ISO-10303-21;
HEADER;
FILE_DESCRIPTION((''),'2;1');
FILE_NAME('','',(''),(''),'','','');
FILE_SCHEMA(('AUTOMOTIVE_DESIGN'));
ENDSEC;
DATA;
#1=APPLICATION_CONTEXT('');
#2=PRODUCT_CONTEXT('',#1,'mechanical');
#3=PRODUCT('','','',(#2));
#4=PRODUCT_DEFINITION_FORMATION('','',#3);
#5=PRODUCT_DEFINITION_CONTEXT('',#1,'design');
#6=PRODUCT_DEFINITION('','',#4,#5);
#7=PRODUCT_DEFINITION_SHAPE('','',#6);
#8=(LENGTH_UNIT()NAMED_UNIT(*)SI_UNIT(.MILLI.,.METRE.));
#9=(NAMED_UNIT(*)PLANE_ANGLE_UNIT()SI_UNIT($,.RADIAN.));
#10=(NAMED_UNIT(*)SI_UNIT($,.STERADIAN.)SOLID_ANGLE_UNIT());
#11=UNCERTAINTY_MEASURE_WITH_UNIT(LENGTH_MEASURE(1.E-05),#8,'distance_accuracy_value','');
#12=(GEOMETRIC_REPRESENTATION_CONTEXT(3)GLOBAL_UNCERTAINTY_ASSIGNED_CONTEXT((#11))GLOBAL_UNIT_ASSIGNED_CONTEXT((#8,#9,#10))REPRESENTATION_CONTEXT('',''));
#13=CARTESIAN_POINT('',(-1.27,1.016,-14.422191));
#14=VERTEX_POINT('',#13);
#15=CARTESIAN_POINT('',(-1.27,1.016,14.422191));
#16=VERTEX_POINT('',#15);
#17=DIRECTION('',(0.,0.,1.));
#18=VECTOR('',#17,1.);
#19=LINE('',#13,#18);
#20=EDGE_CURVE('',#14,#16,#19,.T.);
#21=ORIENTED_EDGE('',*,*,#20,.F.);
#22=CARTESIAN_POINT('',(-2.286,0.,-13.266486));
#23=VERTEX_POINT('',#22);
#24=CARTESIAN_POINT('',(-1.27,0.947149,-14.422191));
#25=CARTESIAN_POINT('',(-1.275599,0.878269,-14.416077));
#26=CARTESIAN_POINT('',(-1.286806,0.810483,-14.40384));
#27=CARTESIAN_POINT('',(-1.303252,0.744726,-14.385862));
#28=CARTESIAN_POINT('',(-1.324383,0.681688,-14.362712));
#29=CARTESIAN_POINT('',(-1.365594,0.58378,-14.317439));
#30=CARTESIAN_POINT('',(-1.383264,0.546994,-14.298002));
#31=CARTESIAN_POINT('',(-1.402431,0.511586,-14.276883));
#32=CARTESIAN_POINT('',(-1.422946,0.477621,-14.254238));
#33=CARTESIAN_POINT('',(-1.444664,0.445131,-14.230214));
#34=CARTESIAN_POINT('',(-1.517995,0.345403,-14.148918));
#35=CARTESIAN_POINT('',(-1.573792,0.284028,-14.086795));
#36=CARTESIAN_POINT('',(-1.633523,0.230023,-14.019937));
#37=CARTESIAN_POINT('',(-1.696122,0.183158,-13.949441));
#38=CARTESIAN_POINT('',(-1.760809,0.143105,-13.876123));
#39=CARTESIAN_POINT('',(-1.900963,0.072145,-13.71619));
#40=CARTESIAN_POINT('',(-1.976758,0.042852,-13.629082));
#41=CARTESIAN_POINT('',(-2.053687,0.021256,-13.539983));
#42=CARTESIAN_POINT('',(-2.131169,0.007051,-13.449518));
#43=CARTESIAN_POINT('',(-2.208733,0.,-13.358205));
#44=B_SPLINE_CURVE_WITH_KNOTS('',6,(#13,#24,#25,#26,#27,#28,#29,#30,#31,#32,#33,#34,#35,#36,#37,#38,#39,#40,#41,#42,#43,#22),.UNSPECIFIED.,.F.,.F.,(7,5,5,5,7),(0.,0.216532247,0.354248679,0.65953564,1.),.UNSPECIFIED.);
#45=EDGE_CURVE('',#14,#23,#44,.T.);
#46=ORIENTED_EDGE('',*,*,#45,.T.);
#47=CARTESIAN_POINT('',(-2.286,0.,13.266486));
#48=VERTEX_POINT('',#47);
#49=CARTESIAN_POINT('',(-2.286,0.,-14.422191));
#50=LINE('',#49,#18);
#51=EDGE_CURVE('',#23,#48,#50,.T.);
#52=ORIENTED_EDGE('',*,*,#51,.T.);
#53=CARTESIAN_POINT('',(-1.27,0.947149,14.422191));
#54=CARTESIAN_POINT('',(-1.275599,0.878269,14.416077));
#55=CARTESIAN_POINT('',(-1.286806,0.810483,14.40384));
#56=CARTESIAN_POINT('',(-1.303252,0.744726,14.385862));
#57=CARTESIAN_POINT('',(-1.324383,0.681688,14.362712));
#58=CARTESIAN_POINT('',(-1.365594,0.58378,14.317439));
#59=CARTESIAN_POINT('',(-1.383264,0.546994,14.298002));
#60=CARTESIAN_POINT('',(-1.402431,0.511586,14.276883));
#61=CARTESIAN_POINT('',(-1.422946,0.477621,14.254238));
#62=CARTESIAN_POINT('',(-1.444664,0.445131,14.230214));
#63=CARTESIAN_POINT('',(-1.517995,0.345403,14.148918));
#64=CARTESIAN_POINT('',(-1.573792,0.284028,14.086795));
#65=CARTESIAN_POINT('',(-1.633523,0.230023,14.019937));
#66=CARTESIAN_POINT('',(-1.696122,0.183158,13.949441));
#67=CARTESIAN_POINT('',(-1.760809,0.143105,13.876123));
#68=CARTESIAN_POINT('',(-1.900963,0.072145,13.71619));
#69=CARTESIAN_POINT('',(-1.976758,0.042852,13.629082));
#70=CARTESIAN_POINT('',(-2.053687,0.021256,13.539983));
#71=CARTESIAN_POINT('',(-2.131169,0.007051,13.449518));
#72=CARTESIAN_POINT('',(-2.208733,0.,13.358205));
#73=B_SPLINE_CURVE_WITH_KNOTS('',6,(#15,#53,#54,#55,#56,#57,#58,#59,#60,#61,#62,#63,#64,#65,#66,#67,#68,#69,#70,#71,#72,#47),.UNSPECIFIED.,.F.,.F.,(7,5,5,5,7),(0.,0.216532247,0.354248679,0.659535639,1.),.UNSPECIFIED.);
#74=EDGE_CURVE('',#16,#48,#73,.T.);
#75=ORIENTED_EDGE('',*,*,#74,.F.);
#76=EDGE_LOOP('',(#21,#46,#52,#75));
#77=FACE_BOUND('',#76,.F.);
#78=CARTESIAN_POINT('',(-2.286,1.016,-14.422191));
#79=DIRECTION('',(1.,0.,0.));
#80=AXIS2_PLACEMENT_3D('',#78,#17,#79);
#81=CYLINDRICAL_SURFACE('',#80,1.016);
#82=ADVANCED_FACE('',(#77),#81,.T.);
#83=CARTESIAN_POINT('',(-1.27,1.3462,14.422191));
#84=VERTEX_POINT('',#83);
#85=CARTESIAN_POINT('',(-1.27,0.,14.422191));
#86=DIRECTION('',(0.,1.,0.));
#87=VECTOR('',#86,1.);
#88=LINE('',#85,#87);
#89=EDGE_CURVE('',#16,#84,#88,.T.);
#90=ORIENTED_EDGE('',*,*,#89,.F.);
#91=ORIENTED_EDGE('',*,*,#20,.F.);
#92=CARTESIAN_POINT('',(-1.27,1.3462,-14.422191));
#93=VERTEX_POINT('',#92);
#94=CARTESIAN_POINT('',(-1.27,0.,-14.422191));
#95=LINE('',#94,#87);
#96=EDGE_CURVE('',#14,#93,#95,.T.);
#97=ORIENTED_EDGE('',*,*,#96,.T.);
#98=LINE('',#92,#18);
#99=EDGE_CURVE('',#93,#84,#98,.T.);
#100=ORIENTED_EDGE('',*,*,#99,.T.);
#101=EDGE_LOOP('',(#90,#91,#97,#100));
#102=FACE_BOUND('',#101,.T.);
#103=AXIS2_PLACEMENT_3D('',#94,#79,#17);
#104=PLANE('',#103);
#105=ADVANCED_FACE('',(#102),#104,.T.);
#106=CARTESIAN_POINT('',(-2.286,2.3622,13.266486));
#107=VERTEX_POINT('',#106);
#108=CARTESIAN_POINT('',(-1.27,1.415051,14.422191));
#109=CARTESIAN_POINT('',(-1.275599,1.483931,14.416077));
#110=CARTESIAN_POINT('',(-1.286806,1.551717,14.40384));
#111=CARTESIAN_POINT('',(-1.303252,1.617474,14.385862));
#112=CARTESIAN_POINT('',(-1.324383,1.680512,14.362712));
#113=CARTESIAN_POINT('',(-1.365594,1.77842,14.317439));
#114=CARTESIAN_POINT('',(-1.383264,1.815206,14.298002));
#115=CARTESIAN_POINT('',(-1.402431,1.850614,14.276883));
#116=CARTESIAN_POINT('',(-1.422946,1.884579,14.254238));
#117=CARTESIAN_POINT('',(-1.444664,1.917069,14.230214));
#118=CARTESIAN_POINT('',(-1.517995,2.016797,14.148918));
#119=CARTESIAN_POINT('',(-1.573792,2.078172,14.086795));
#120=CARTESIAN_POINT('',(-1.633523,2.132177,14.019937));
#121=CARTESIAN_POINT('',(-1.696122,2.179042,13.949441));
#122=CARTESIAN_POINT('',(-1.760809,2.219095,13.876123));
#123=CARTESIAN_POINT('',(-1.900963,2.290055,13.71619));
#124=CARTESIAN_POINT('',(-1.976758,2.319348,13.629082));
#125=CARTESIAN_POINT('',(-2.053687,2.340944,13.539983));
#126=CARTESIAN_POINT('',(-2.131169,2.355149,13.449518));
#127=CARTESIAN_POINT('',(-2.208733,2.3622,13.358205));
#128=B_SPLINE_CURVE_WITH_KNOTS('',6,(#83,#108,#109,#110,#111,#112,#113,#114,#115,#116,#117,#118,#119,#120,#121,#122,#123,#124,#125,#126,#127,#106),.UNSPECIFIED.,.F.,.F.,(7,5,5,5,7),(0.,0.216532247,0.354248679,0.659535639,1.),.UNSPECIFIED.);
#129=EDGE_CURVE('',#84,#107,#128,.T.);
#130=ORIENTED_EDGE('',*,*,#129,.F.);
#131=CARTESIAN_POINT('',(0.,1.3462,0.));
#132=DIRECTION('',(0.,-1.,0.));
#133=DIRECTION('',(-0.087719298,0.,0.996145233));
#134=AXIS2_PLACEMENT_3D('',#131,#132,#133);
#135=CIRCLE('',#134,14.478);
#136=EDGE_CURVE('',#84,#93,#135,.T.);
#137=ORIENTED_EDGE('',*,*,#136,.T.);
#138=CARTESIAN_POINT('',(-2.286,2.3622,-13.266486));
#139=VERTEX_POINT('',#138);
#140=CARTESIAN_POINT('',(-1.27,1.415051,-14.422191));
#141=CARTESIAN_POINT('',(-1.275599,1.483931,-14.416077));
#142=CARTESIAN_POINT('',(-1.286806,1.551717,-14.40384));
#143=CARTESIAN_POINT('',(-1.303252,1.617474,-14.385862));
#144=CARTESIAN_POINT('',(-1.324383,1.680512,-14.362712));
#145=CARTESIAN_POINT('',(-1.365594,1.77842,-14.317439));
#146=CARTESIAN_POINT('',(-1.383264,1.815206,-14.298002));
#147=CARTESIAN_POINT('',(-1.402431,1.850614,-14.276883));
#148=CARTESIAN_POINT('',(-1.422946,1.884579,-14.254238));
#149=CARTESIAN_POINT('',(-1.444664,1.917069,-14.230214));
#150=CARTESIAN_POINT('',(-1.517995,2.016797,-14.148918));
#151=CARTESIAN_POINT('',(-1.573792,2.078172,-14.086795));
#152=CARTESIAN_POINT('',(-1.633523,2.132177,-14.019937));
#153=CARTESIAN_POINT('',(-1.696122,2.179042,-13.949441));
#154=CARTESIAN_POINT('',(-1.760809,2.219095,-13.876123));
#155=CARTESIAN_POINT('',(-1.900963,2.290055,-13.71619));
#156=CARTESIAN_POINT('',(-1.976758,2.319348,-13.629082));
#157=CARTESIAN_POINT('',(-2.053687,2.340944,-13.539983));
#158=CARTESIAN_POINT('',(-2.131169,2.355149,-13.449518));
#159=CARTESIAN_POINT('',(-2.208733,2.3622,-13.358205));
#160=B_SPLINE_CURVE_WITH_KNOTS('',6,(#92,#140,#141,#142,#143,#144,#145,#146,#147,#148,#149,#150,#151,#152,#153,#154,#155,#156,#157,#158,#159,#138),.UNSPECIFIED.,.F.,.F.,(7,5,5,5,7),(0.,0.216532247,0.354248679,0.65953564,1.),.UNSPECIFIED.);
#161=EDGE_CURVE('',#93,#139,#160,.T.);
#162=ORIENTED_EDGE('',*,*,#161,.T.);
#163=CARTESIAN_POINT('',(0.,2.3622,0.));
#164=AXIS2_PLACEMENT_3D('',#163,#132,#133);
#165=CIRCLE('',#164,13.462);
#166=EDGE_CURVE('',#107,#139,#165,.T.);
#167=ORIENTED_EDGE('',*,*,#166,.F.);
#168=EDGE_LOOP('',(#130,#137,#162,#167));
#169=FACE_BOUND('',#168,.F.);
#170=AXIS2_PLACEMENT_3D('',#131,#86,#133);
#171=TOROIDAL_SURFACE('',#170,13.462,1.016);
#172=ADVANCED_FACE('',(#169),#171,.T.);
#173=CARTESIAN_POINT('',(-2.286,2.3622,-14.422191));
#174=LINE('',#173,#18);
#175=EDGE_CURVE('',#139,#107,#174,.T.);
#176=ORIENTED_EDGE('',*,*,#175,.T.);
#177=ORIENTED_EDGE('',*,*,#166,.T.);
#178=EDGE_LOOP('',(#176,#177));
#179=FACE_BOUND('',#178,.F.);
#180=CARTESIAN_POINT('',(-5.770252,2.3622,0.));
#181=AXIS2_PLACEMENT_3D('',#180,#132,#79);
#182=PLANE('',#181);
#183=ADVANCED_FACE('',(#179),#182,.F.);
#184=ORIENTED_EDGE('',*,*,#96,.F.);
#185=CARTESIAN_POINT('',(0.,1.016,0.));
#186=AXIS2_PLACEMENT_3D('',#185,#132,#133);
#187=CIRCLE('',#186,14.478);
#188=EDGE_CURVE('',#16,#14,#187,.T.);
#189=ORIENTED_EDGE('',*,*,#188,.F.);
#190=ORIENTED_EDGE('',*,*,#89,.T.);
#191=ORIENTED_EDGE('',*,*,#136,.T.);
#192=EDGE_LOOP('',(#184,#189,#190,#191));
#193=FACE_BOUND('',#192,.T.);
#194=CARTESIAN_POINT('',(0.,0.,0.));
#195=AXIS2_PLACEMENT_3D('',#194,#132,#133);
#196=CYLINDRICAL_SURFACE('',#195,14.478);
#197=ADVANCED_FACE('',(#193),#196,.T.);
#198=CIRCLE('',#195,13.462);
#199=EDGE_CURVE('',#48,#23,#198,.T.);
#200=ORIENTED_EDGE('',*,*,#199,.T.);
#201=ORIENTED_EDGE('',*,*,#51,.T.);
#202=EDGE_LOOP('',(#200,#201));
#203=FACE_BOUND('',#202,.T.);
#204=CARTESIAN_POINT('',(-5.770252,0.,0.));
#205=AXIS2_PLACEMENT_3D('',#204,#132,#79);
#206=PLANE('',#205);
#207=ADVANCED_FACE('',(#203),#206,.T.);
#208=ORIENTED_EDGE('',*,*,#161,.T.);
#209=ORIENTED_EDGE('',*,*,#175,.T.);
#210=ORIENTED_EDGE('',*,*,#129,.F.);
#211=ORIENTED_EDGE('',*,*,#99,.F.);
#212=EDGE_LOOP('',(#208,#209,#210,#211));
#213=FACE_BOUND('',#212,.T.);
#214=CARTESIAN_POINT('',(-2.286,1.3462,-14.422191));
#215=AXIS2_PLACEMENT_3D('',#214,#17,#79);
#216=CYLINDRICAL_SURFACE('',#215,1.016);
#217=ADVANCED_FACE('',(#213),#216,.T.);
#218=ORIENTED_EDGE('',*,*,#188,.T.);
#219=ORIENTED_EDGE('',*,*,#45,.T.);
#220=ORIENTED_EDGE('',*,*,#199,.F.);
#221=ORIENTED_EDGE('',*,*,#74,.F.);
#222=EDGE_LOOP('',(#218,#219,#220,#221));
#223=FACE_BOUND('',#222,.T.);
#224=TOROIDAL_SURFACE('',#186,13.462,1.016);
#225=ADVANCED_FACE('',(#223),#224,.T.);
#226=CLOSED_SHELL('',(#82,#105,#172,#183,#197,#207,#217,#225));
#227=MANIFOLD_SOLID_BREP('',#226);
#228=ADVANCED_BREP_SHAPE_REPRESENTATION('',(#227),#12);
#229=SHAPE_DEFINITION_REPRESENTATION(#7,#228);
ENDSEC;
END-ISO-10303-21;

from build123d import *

# Parameters (mm, degrees)
F1_DEPTH = 2.3622
F2_R     = 1.016


with BuildPart() as f1:
    # F0 (on Front) → F1 (new body)
    with BuildSketch(Plane.XZ):
        with BuildLine():
            Line((-1.27, -14.4221906796), (-1.27, 14.4221906796))
            ThreePointArc((-1.27, 14.4221906796), (-14.478, 0), (-1.27, -14.4221906796))
        make_face()
    extrude(amount=-F1_DEPTH)

    # F2
    f2_edges = [f1.edges().sort_by_distance(p)[0] for p in [
        (-14.478, 0, 0),
        (-1.27, 0, 0),
        (-14.478, 2.3622, 0),
        (-1.27, 2.3622, 0),
    ]]
    fillet(f2_edges, radius=F2_R)


solid = f1.part
